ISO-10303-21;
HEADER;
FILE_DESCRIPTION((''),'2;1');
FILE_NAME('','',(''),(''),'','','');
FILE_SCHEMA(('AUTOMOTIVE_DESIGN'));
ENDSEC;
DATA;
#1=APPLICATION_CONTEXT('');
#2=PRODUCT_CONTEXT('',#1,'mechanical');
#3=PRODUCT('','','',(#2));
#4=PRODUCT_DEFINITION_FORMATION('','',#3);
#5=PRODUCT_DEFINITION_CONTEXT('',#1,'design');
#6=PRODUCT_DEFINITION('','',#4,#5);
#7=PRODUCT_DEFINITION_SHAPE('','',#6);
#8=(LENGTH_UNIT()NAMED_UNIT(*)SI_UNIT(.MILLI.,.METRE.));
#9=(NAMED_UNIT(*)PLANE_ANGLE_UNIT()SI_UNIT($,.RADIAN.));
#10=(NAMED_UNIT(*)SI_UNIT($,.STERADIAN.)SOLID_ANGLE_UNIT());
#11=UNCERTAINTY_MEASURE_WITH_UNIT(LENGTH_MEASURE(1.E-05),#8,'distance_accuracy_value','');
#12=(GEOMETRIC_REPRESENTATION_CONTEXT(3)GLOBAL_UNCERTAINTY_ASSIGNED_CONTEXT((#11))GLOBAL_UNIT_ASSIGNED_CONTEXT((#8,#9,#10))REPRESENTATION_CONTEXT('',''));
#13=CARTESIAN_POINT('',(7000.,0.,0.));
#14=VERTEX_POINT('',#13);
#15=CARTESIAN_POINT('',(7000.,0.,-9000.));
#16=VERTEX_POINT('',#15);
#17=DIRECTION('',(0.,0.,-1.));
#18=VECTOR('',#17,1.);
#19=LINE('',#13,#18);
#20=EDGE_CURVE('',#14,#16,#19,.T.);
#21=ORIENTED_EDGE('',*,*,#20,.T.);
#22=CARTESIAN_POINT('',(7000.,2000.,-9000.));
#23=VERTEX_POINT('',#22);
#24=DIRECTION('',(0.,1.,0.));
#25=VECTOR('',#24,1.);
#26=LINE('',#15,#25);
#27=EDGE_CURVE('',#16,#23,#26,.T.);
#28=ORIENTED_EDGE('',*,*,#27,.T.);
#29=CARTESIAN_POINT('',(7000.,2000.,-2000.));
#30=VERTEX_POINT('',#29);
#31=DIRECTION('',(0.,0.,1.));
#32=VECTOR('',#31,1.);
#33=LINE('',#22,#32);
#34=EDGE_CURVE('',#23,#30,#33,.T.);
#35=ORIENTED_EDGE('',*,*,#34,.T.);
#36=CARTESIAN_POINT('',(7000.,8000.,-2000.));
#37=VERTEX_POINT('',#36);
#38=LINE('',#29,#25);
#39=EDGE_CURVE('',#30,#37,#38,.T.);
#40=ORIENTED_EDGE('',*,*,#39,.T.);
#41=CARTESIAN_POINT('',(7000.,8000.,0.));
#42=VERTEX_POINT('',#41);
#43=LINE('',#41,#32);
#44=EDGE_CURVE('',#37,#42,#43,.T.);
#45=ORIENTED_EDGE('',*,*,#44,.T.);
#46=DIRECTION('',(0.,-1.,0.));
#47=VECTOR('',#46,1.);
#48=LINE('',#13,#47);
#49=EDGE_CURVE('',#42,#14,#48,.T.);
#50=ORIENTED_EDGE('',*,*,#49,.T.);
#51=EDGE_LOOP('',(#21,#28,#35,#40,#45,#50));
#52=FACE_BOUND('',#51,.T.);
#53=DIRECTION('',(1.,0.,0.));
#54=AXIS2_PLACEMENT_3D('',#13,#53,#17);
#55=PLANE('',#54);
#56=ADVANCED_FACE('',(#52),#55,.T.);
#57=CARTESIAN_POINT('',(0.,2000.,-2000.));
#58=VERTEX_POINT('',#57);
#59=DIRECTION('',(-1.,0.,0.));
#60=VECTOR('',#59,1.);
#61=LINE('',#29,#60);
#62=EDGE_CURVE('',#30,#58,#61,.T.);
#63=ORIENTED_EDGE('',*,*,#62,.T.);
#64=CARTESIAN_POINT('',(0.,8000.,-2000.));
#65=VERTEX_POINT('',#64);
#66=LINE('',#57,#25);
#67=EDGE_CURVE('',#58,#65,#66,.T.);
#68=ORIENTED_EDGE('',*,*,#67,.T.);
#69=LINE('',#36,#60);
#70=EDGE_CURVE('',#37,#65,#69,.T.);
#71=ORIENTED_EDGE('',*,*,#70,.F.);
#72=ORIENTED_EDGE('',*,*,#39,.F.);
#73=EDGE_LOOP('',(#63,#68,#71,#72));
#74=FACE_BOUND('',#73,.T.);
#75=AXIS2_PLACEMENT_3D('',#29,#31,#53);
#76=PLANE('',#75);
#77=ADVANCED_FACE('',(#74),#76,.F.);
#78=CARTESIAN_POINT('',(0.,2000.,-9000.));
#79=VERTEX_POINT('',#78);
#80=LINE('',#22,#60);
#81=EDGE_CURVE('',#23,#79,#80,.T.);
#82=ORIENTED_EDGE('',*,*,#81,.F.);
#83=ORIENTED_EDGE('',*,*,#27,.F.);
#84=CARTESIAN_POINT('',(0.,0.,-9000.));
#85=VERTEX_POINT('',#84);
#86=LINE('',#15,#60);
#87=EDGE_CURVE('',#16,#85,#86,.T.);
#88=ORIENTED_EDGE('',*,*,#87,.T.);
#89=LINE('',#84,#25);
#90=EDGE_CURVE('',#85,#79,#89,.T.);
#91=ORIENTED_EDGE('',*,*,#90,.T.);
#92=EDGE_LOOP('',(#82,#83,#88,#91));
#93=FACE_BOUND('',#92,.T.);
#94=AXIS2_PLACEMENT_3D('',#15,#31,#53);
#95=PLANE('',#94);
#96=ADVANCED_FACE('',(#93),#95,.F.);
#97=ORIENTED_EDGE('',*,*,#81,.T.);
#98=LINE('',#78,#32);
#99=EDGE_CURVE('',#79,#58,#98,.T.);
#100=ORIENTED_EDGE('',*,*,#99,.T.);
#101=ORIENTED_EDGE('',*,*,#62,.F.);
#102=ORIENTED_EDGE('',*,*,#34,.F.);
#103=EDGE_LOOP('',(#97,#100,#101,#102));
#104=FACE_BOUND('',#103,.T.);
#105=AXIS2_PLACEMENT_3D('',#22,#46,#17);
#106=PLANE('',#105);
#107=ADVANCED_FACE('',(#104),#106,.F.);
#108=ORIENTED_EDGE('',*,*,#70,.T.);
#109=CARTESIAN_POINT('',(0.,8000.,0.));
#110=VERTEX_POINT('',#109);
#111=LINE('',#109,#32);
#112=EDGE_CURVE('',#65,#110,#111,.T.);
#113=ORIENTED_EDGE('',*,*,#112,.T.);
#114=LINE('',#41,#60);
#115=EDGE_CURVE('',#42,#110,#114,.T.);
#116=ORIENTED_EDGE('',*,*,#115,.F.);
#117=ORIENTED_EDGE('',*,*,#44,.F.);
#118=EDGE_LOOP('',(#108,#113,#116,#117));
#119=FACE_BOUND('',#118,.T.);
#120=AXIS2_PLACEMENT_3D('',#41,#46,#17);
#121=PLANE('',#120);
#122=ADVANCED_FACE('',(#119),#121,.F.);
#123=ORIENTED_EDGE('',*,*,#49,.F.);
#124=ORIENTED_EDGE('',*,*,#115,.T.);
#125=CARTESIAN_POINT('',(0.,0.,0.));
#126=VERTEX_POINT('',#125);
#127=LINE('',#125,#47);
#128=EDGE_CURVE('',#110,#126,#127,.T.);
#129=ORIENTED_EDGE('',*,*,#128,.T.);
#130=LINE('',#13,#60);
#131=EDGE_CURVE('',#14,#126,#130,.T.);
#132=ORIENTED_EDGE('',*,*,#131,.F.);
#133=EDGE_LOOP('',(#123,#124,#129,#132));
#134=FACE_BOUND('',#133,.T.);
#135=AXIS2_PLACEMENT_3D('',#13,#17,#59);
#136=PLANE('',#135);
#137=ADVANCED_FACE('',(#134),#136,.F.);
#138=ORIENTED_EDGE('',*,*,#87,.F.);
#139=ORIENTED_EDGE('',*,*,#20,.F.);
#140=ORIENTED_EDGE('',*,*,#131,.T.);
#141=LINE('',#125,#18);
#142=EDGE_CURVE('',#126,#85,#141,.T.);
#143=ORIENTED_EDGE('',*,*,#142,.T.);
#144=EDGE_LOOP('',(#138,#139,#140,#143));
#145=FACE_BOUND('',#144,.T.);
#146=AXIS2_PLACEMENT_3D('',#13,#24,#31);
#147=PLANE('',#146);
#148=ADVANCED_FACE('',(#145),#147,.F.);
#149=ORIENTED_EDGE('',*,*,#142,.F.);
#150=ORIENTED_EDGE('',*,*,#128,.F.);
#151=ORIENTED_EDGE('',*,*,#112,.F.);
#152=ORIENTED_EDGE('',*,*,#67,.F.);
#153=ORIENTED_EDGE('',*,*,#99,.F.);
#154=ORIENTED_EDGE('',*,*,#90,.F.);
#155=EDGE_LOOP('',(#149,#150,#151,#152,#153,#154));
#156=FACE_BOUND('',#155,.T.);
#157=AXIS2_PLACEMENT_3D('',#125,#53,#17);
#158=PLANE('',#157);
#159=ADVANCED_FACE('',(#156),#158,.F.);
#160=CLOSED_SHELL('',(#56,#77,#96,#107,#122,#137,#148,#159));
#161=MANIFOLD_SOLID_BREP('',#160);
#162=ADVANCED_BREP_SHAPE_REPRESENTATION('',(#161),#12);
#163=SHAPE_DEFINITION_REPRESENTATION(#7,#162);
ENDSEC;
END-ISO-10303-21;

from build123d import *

# Parameters (mm, degrees)
BOSS_EXTRUDE2_DEPTH = 7000


with BuildPart() as part:
    # Sketch1 → Boss-Extrude2 (new body)
    with BuildSketch(Plane(origin=(0, 0, 0), x_dir=(0, 0, -1), z_dir=(1, 0, 0))):
        Polygon((0, 0), (0, 8000), (2000, 8000), (2000, 2000), (9000, 2000), (9000, 0), align=None)
    extrude(amount=BOSS_EXTRUDE2_DEPTH)


solid = part.part
